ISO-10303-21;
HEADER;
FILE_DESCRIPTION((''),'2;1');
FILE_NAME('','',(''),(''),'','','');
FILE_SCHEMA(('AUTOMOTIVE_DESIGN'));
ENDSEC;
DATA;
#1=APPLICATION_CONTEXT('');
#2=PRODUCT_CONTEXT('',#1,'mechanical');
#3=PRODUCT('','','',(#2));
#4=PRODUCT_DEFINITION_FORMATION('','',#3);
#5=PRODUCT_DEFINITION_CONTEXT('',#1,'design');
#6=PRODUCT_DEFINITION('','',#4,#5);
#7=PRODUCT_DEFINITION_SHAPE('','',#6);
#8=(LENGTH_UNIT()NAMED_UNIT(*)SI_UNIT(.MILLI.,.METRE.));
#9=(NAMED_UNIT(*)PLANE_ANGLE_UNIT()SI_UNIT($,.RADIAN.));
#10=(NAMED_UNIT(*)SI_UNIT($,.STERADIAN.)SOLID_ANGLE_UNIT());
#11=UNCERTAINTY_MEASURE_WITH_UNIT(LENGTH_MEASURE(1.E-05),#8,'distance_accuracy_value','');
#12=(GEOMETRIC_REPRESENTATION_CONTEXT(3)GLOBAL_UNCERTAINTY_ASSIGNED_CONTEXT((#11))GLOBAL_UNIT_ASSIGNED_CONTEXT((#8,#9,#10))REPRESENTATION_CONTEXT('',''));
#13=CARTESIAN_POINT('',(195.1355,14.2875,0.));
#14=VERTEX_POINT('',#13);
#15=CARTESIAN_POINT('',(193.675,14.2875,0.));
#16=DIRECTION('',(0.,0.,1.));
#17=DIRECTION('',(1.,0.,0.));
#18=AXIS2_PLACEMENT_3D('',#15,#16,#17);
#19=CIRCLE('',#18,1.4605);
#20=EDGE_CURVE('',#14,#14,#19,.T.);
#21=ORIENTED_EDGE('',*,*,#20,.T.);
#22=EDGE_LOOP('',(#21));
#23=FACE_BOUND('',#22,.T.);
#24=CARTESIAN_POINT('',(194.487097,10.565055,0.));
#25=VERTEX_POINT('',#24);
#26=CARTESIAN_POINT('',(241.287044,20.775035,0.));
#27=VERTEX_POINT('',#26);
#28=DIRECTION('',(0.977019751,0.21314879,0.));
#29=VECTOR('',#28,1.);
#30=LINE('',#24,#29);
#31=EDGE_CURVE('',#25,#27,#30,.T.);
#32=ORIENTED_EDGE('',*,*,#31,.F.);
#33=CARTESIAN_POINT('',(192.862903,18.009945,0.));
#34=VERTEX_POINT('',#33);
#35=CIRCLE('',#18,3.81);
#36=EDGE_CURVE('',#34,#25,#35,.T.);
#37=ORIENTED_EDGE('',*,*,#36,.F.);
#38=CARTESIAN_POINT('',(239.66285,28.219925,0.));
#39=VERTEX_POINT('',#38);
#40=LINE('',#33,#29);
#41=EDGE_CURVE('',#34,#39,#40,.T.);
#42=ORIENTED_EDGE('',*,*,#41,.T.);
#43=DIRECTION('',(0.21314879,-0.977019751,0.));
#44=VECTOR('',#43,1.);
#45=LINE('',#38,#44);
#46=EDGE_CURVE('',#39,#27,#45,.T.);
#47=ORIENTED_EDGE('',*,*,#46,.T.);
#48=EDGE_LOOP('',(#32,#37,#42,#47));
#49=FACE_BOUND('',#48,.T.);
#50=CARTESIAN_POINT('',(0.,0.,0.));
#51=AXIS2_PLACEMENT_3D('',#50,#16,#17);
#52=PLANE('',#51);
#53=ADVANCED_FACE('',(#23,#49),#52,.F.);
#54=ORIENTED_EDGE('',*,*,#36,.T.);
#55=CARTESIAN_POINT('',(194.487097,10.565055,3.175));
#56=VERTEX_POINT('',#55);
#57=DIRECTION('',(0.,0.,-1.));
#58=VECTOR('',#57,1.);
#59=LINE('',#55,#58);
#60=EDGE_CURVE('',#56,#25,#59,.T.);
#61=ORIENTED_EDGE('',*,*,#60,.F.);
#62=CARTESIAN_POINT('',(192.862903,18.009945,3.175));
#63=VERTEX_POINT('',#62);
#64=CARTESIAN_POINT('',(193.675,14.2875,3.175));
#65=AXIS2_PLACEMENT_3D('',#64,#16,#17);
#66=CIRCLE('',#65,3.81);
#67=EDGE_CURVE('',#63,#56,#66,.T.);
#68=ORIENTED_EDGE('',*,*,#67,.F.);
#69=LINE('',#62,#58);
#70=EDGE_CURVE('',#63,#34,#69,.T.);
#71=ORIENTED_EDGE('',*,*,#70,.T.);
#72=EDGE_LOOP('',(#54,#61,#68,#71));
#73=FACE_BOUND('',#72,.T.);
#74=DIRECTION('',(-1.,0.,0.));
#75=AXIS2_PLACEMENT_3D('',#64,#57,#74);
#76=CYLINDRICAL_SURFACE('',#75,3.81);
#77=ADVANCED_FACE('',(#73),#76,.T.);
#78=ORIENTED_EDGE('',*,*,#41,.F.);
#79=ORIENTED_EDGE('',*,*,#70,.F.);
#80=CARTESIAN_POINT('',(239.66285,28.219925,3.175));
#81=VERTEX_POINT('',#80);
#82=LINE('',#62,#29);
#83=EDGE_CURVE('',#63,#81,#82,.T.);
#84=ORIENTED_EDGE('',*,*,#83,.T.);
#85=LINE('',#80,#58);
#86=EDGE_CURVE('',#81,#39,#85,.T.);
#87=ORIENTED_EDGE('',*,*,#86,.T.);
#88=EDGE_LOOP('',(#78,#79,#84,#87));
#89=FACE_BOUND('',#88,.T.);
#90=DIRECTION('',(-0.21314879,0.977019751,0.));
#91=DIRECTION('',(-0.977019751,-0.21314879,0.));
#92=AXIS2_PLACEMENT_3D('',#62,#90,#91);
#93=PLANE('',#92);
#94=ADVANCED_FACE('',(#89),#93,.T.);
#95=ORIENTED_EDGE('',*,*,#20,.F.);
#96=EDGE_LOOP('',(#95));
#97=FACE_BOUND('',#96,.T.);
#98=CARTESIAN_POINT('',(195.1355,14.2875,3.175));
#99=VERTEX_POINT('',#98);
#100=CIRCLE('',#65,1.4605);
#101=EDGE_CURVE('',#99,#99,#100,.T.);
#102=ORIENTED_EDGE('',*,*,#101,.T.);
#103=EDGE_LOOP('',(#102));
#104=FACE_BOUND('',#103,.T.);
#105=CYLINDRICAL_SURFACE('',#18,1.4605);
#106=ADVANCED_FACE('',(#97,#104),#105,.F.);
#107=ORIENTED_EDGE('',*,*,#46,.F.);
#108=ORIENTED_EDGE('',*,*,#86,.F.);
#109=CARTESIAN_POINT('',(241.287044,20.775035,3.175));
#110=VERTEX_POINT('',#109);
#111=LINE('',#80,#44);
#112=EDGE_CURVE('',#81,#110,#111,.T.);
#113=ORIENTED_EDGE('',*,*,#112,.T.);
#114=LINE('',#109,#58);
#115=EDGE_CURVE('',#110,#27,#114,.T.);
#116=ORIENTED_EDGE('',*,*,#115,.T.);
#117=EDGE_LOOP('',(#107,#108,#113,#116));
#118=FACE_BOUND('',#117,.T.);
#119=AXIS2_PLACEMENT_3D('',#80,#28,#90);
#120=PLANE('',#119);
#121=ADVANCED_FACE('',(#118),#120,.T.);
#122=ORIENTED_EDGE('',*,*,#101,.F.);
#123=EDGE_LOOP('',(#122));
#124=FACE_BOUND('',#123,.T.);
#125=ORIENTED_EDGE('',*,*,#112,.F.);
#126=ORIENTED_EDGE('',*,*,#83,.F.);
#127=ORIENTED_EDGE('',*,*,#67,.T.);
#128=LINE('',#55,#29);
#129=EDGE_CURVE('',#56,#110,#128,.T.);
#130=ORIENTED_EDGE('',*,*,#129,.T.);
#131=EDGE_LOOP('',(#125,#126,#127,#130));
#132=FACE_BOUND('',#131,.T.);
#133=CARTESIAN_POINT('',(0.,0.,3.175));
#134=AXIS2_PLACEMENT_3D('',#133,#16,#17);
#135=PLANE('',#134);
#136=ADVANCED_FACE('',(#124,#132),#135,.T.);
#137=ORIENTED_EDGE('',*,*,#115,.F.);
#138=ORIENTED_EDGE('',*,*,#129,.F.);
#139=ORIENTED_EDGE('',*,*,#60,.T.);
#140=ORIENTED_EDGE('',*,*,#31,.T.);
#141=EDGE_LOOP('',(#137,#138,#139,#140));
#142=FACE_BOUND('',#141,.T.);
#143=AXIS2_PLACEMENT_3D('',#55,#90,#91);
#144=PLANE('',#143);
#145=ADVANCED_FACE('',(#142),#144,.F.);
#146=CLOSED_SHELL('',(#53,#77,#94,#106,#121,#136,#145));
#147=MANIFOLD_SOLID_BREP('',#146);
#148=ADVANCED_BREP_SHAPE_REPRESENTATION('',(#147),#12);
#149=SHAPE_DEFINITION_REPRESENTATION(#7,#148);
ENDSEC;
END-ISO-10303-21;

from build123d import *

# Parameters (mm, degrees)
SKETCH2_R           = 3.81
BOSS_EXTRUDE1_DEPTH = 3.175
SKETCH3_R           = 1.4605
CUT_EXTRUDE1_DEPTH  = 3.175


with BuildPart() as part:
    # Sketch2 → Boss-Extrude1 (new body)
    with BuildSketch(Plane.XY):
        with Locations((193.674999999, 14.287500001)):
            Circle(SKETCH2_R)
        Polygon((192.86290311, 18.009945251), (194.487096888, 10.56505475), (241.287043978, 20.775034718), (239.6628502, 28.219925218), align=None)
    extrude(amount=BOSS_EXTRUDE1_DEPTH)

    # Sketch3 → Cut-Extrude1 (cut)
    with BuildSketch(Plane.XY.offset(3.175)):
        with Locations((193.674999999, 14.287500001)):
            Circle(SKETCH3_R)
    extrude(amount=-CUT_EXTRUDE1_DEPTH, mode=Mode.SUBTRACT)


solid = part.part
